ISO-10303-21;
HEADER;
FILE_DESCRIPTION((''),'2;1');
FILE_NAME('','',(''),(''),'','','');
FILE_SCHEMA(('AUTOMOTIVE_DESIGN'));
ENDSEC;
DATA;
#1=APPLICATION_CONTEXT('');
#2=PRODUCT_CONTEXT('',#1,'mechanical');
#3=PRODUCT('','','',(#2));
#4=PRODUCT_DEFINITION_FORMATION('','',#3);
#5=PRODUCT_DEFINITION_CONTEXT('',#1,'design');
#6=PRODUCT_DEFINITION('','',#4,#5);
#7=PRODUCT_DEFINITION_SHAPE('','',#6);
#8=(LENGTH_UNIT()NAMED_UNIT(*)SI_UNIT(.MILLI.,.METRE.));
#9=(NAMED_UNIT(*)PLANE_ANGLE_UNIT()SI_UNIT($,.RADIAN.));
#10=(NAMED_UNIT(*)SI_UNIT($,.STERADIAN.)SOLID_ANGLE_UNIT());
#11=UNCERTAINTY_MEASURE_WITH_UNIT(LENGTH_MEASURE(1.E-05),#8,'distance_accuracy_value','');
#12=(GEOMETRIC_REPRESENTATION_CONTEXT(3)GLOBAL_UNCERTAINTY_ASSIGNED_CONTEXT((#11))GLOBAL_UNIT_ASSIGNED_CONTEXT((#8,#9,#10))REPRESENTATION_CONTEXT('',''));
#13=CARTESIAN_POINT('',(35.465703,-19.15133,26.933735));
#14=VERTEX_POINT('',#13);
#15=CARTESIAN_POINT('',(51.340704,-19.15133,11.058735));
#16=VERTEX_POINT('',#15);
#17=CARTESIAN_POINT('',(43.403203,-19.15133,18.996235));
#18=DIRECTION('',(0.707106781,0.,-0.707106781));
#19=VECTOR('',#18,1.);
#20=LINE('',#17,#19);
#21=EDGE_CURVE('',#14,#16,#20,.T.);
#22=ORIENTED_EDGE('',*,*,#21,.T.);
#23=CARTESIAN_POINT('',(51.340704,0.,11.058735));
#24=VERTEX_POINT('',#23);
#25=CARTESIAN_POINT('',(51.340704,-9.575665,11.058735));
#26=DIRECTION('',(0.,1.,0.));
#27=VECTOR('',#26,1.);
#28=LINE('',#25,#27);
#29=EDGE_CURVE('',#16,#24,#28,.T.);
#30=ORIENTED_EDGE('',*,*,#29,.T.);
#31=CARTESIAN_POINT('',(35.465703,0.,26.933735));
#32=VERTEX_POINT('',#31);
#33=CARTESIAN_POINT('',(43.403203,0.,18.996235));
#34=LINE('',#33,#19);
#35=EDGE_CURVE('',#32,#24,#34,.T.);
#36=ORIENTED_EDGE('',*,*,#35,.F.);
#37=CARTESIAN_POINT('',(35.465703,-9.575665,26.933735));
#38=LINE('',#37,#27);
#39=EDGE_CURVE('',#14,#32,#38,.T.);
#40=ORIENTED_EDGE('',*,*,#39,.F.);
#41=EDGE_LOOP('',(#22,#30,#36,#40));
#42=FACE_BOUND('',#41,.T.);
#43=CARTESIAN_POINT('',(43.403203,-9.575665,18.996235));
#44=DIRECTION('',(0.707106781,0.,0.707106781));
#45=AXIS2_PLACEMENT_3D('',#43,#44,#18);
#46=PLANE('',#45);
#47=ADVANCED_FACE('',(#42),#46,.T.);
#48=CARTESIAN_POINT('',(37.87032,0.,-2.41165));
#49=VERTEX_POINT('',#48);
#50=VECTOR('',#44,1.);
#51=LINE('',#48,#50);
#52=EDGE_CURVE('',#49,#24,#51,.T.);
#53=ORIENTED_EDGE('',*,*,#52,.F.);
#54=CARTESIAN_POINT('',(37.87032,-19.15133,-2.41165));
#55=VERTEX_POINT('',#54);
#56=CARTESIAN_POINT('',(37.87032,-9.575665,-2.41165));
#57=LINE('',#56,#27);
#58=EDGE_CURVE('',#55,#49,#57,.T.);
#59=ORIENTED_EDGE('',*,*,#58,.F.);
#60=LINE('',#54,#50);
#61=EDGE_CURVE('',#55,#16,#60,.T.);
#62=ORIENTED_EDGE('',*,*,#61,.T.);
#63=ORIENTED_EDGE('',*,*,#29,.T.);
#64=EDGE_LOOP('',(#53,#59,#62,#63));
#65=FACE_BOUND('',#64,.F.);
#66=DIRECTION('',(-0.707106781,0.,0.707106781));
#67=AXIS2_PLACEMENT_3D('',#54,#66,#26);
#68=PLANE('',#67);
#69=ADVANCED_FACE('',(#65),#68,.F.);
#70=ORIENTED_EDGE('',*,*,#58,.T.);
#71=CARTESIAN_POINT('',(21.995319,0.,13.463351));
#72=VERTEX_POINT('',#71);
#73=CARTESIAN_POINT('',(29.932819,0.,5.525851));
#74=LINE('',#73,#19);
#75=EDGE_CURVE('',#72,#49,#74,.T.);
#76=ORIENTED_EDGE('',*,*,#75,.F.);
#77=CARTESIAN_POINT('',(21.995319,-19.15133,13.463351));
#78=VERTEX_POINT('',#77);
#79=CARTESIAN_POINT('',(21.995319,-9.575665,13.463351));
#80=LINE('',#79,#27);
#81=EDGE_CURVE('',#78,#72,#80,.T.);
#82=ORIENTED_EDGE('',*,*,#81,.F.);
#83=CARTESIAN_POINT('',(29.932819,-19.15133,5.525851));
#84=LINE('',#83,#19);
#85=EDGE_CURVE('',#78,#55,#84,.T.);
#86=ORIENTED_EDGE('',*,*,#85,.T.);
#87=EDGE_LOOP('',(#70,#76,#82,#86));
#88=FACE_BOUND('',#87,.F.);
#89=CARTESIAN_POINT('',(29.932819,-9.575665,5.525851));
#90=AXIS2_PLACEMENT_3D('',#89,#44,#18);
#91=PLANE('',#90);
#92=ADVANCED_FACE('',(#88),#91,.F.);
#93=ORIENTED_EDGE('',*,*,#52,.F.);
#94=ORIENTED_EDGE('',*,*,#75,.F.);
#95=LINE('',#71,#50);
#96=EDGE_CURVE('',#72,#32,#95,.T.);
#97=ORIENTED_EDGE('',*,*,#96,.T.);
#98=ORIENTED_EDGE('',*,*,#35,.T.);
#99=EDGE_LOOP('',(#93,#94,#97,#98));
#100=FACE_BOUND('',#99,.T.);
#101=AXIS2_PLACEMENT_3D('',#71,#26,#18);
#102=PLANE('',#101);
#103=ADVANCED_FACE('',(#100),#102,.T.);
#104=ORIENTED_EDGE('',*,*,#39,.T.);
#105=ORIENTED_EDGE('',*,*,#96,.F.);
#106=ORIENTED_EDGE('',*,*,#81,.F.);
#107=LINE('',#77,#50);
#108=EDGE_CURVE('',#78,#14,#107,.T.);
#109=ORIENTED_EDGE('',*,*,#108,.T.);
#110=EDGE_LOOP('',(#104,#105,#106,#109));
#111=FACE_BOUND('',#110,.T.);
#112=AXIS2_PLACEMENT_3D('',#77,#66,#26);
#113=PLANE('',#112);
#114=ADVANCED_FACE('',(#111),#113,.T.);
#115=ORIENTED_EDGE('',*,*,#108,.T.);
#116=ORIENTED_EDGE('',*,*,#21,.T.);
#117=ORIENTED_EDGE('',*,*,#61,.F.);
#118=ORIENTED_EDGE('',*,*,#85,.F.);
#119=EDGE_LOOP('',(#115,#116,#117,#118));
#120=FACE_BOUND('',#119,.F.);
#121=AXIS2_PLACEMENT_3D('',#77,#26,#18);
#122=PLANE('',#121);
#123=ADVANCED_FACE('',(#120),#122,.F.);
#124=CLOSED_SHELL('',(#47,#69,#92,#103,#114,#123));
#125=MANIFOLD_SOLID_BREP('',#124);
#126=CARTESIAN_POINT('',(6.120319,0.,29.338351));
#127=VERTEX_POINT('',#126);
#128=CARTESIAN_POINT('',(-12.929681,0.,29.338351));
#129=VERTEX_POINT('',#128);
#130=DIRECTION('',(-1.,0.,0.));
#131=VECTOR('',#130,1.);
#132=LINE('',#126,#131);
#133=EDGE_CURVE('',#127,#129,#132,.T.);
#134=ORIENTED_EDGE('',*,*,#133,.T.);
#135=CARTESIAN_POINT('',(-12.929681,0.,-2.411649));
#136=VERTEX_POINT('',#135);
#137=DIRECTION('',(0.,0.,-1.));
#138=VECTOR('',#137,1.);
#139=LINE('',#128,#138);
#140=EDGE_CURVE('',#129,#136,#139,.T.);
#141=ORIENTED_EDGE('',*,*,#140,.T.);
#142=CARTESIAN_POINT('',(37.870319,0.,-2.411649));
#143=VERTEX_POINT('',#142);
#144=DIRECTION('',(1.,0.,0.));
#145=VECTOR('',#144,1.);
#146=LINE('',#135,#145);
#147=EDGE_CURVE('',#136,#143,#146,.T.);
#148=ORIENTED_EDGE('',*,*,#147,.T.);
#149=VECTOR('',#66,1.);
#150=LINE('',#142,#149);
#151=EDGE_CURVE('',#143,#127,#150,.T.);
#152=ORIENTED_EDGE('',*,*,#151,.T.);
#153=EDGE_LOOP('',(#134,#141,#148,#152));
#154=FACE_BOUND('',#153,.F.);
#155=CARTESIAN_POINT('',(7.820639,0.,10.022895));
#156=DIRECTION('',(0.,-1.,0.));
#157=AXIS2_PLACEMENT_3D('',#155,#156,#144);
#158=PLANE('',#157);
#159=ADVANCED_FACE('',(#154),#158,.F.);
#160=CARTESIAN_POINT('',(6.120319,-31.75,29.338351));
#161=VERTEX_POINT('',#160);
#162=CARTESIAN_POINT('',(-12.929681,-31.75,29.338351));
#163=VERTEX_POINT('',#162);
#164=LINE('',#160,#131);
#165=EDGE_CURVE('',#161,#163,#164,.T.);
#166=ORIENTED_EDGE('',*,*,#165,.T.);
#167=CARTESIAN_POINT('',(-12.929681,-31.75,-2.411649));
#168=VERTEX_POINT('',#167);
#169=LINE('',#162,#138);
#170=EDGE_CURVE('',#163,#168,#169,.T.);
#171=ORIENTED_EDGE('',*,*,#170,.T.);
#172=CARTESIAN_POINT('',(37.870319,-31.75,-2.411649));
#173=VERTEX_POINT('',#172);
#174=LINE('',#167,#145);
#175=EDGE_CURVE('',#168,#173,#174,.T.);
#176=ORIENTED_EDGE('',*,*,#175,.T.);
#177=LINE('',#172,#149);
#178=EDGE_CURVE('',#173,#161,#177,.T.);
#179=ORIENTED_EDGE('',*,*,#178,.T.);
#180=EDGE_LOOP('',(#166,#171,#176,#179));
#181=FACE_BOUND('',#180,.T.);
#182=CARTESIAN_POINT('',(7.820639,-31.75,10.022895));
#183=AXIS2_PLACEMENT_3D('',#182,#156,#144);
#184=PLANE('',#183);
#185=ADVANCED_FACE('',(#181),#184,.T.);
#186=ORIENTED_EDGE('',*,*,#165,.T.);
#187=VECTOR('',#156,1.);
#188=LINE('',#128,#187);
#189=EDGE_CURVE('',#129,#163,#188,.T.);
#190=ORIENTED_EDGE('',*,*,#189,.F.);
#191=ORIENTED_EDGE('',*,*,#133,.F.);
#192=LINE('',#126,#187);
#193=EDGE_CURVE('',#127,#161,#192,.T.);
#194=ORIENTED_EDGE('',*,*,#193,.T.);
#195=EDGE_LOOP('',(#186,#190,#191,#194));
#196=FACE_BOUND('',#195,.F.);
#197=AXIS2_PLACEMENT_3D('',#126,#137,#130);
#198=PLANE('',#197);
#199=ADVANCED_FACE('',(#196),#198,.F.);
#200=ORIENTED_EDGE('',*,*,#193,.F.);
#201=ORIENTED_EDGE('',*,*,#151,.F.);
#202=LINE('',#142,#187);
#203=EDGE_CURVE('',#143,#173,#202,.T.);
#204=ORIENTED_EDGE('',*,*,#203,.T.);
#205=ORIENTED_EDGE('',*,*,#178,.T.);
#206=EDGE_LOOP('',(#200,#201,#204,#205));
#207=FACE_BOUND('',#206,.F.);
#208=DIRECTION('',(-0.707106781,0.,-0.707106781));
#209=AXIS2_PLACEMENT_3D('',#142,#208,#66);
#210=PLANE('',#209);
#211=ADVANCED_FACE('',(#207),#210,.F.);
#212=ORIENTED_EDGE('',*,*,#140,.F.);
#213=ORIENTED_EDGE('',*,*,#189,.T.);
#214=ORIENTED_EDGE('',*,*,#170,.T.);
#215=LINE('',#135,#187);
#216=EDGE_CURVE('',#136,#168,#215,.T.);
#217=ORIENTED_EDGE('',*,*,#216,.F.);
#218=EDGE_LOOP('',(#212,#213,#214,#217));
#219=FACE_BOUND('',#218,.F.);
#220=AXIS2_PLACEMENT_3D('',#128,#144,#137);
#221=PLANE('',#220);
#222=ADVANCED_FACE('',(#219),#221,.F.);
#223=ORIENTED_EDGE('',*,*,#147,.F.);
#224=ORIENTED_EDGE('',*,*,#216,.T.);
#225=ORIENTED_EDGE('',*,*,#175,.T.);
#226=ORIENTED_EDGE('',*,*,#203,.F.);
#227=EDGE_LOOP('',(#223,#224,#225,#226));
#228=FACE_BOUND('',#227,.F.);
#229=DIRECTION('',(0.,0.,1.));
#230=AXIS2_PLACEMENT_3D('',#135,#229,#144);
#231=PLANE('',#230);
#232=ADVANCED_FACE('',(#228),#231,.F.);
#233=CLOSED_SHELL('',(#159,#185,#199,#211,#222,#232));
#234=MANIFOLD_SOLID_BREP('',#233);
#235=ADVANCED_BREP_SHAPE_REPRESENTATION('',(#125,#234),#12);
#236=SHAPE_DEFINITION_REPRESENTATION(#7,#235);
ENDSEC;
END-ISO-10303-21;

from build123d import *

# Parameters (mm, degrees)
F1_DEPTH = 31.75
F2_W     = 22.450641
F2_H     = 19.15133
F3_DEPTH = 19.05


with BuildPart() as f1:
    # F0 (on Front) → F1 (new body)
    with BuildSketch(Plane.XZ):
        Polygon((6.120319, 29.338351), (-12.929681, 29.338351), (-12.929681, -2.411649), (37.870319, -2.411649), align=None)
    extrude(amount=F1_DEPTH)


with BuildPart() as f3:
    # F2 (on face) → F3 (new body)
    with BuildSketch(Plane(origin=(17.729335, 0, 17.729335), x_dir=(0.707107, 0, -0.707107), z_dir=(0.707107, 0, 0.707107))):
        with Locations((17.258333, -9.575665)):
            Rectangle(F2_W, F2_H)
    extrude(amount=F3_DEPTH)


solid = Compound([f1.part, f3.part])
